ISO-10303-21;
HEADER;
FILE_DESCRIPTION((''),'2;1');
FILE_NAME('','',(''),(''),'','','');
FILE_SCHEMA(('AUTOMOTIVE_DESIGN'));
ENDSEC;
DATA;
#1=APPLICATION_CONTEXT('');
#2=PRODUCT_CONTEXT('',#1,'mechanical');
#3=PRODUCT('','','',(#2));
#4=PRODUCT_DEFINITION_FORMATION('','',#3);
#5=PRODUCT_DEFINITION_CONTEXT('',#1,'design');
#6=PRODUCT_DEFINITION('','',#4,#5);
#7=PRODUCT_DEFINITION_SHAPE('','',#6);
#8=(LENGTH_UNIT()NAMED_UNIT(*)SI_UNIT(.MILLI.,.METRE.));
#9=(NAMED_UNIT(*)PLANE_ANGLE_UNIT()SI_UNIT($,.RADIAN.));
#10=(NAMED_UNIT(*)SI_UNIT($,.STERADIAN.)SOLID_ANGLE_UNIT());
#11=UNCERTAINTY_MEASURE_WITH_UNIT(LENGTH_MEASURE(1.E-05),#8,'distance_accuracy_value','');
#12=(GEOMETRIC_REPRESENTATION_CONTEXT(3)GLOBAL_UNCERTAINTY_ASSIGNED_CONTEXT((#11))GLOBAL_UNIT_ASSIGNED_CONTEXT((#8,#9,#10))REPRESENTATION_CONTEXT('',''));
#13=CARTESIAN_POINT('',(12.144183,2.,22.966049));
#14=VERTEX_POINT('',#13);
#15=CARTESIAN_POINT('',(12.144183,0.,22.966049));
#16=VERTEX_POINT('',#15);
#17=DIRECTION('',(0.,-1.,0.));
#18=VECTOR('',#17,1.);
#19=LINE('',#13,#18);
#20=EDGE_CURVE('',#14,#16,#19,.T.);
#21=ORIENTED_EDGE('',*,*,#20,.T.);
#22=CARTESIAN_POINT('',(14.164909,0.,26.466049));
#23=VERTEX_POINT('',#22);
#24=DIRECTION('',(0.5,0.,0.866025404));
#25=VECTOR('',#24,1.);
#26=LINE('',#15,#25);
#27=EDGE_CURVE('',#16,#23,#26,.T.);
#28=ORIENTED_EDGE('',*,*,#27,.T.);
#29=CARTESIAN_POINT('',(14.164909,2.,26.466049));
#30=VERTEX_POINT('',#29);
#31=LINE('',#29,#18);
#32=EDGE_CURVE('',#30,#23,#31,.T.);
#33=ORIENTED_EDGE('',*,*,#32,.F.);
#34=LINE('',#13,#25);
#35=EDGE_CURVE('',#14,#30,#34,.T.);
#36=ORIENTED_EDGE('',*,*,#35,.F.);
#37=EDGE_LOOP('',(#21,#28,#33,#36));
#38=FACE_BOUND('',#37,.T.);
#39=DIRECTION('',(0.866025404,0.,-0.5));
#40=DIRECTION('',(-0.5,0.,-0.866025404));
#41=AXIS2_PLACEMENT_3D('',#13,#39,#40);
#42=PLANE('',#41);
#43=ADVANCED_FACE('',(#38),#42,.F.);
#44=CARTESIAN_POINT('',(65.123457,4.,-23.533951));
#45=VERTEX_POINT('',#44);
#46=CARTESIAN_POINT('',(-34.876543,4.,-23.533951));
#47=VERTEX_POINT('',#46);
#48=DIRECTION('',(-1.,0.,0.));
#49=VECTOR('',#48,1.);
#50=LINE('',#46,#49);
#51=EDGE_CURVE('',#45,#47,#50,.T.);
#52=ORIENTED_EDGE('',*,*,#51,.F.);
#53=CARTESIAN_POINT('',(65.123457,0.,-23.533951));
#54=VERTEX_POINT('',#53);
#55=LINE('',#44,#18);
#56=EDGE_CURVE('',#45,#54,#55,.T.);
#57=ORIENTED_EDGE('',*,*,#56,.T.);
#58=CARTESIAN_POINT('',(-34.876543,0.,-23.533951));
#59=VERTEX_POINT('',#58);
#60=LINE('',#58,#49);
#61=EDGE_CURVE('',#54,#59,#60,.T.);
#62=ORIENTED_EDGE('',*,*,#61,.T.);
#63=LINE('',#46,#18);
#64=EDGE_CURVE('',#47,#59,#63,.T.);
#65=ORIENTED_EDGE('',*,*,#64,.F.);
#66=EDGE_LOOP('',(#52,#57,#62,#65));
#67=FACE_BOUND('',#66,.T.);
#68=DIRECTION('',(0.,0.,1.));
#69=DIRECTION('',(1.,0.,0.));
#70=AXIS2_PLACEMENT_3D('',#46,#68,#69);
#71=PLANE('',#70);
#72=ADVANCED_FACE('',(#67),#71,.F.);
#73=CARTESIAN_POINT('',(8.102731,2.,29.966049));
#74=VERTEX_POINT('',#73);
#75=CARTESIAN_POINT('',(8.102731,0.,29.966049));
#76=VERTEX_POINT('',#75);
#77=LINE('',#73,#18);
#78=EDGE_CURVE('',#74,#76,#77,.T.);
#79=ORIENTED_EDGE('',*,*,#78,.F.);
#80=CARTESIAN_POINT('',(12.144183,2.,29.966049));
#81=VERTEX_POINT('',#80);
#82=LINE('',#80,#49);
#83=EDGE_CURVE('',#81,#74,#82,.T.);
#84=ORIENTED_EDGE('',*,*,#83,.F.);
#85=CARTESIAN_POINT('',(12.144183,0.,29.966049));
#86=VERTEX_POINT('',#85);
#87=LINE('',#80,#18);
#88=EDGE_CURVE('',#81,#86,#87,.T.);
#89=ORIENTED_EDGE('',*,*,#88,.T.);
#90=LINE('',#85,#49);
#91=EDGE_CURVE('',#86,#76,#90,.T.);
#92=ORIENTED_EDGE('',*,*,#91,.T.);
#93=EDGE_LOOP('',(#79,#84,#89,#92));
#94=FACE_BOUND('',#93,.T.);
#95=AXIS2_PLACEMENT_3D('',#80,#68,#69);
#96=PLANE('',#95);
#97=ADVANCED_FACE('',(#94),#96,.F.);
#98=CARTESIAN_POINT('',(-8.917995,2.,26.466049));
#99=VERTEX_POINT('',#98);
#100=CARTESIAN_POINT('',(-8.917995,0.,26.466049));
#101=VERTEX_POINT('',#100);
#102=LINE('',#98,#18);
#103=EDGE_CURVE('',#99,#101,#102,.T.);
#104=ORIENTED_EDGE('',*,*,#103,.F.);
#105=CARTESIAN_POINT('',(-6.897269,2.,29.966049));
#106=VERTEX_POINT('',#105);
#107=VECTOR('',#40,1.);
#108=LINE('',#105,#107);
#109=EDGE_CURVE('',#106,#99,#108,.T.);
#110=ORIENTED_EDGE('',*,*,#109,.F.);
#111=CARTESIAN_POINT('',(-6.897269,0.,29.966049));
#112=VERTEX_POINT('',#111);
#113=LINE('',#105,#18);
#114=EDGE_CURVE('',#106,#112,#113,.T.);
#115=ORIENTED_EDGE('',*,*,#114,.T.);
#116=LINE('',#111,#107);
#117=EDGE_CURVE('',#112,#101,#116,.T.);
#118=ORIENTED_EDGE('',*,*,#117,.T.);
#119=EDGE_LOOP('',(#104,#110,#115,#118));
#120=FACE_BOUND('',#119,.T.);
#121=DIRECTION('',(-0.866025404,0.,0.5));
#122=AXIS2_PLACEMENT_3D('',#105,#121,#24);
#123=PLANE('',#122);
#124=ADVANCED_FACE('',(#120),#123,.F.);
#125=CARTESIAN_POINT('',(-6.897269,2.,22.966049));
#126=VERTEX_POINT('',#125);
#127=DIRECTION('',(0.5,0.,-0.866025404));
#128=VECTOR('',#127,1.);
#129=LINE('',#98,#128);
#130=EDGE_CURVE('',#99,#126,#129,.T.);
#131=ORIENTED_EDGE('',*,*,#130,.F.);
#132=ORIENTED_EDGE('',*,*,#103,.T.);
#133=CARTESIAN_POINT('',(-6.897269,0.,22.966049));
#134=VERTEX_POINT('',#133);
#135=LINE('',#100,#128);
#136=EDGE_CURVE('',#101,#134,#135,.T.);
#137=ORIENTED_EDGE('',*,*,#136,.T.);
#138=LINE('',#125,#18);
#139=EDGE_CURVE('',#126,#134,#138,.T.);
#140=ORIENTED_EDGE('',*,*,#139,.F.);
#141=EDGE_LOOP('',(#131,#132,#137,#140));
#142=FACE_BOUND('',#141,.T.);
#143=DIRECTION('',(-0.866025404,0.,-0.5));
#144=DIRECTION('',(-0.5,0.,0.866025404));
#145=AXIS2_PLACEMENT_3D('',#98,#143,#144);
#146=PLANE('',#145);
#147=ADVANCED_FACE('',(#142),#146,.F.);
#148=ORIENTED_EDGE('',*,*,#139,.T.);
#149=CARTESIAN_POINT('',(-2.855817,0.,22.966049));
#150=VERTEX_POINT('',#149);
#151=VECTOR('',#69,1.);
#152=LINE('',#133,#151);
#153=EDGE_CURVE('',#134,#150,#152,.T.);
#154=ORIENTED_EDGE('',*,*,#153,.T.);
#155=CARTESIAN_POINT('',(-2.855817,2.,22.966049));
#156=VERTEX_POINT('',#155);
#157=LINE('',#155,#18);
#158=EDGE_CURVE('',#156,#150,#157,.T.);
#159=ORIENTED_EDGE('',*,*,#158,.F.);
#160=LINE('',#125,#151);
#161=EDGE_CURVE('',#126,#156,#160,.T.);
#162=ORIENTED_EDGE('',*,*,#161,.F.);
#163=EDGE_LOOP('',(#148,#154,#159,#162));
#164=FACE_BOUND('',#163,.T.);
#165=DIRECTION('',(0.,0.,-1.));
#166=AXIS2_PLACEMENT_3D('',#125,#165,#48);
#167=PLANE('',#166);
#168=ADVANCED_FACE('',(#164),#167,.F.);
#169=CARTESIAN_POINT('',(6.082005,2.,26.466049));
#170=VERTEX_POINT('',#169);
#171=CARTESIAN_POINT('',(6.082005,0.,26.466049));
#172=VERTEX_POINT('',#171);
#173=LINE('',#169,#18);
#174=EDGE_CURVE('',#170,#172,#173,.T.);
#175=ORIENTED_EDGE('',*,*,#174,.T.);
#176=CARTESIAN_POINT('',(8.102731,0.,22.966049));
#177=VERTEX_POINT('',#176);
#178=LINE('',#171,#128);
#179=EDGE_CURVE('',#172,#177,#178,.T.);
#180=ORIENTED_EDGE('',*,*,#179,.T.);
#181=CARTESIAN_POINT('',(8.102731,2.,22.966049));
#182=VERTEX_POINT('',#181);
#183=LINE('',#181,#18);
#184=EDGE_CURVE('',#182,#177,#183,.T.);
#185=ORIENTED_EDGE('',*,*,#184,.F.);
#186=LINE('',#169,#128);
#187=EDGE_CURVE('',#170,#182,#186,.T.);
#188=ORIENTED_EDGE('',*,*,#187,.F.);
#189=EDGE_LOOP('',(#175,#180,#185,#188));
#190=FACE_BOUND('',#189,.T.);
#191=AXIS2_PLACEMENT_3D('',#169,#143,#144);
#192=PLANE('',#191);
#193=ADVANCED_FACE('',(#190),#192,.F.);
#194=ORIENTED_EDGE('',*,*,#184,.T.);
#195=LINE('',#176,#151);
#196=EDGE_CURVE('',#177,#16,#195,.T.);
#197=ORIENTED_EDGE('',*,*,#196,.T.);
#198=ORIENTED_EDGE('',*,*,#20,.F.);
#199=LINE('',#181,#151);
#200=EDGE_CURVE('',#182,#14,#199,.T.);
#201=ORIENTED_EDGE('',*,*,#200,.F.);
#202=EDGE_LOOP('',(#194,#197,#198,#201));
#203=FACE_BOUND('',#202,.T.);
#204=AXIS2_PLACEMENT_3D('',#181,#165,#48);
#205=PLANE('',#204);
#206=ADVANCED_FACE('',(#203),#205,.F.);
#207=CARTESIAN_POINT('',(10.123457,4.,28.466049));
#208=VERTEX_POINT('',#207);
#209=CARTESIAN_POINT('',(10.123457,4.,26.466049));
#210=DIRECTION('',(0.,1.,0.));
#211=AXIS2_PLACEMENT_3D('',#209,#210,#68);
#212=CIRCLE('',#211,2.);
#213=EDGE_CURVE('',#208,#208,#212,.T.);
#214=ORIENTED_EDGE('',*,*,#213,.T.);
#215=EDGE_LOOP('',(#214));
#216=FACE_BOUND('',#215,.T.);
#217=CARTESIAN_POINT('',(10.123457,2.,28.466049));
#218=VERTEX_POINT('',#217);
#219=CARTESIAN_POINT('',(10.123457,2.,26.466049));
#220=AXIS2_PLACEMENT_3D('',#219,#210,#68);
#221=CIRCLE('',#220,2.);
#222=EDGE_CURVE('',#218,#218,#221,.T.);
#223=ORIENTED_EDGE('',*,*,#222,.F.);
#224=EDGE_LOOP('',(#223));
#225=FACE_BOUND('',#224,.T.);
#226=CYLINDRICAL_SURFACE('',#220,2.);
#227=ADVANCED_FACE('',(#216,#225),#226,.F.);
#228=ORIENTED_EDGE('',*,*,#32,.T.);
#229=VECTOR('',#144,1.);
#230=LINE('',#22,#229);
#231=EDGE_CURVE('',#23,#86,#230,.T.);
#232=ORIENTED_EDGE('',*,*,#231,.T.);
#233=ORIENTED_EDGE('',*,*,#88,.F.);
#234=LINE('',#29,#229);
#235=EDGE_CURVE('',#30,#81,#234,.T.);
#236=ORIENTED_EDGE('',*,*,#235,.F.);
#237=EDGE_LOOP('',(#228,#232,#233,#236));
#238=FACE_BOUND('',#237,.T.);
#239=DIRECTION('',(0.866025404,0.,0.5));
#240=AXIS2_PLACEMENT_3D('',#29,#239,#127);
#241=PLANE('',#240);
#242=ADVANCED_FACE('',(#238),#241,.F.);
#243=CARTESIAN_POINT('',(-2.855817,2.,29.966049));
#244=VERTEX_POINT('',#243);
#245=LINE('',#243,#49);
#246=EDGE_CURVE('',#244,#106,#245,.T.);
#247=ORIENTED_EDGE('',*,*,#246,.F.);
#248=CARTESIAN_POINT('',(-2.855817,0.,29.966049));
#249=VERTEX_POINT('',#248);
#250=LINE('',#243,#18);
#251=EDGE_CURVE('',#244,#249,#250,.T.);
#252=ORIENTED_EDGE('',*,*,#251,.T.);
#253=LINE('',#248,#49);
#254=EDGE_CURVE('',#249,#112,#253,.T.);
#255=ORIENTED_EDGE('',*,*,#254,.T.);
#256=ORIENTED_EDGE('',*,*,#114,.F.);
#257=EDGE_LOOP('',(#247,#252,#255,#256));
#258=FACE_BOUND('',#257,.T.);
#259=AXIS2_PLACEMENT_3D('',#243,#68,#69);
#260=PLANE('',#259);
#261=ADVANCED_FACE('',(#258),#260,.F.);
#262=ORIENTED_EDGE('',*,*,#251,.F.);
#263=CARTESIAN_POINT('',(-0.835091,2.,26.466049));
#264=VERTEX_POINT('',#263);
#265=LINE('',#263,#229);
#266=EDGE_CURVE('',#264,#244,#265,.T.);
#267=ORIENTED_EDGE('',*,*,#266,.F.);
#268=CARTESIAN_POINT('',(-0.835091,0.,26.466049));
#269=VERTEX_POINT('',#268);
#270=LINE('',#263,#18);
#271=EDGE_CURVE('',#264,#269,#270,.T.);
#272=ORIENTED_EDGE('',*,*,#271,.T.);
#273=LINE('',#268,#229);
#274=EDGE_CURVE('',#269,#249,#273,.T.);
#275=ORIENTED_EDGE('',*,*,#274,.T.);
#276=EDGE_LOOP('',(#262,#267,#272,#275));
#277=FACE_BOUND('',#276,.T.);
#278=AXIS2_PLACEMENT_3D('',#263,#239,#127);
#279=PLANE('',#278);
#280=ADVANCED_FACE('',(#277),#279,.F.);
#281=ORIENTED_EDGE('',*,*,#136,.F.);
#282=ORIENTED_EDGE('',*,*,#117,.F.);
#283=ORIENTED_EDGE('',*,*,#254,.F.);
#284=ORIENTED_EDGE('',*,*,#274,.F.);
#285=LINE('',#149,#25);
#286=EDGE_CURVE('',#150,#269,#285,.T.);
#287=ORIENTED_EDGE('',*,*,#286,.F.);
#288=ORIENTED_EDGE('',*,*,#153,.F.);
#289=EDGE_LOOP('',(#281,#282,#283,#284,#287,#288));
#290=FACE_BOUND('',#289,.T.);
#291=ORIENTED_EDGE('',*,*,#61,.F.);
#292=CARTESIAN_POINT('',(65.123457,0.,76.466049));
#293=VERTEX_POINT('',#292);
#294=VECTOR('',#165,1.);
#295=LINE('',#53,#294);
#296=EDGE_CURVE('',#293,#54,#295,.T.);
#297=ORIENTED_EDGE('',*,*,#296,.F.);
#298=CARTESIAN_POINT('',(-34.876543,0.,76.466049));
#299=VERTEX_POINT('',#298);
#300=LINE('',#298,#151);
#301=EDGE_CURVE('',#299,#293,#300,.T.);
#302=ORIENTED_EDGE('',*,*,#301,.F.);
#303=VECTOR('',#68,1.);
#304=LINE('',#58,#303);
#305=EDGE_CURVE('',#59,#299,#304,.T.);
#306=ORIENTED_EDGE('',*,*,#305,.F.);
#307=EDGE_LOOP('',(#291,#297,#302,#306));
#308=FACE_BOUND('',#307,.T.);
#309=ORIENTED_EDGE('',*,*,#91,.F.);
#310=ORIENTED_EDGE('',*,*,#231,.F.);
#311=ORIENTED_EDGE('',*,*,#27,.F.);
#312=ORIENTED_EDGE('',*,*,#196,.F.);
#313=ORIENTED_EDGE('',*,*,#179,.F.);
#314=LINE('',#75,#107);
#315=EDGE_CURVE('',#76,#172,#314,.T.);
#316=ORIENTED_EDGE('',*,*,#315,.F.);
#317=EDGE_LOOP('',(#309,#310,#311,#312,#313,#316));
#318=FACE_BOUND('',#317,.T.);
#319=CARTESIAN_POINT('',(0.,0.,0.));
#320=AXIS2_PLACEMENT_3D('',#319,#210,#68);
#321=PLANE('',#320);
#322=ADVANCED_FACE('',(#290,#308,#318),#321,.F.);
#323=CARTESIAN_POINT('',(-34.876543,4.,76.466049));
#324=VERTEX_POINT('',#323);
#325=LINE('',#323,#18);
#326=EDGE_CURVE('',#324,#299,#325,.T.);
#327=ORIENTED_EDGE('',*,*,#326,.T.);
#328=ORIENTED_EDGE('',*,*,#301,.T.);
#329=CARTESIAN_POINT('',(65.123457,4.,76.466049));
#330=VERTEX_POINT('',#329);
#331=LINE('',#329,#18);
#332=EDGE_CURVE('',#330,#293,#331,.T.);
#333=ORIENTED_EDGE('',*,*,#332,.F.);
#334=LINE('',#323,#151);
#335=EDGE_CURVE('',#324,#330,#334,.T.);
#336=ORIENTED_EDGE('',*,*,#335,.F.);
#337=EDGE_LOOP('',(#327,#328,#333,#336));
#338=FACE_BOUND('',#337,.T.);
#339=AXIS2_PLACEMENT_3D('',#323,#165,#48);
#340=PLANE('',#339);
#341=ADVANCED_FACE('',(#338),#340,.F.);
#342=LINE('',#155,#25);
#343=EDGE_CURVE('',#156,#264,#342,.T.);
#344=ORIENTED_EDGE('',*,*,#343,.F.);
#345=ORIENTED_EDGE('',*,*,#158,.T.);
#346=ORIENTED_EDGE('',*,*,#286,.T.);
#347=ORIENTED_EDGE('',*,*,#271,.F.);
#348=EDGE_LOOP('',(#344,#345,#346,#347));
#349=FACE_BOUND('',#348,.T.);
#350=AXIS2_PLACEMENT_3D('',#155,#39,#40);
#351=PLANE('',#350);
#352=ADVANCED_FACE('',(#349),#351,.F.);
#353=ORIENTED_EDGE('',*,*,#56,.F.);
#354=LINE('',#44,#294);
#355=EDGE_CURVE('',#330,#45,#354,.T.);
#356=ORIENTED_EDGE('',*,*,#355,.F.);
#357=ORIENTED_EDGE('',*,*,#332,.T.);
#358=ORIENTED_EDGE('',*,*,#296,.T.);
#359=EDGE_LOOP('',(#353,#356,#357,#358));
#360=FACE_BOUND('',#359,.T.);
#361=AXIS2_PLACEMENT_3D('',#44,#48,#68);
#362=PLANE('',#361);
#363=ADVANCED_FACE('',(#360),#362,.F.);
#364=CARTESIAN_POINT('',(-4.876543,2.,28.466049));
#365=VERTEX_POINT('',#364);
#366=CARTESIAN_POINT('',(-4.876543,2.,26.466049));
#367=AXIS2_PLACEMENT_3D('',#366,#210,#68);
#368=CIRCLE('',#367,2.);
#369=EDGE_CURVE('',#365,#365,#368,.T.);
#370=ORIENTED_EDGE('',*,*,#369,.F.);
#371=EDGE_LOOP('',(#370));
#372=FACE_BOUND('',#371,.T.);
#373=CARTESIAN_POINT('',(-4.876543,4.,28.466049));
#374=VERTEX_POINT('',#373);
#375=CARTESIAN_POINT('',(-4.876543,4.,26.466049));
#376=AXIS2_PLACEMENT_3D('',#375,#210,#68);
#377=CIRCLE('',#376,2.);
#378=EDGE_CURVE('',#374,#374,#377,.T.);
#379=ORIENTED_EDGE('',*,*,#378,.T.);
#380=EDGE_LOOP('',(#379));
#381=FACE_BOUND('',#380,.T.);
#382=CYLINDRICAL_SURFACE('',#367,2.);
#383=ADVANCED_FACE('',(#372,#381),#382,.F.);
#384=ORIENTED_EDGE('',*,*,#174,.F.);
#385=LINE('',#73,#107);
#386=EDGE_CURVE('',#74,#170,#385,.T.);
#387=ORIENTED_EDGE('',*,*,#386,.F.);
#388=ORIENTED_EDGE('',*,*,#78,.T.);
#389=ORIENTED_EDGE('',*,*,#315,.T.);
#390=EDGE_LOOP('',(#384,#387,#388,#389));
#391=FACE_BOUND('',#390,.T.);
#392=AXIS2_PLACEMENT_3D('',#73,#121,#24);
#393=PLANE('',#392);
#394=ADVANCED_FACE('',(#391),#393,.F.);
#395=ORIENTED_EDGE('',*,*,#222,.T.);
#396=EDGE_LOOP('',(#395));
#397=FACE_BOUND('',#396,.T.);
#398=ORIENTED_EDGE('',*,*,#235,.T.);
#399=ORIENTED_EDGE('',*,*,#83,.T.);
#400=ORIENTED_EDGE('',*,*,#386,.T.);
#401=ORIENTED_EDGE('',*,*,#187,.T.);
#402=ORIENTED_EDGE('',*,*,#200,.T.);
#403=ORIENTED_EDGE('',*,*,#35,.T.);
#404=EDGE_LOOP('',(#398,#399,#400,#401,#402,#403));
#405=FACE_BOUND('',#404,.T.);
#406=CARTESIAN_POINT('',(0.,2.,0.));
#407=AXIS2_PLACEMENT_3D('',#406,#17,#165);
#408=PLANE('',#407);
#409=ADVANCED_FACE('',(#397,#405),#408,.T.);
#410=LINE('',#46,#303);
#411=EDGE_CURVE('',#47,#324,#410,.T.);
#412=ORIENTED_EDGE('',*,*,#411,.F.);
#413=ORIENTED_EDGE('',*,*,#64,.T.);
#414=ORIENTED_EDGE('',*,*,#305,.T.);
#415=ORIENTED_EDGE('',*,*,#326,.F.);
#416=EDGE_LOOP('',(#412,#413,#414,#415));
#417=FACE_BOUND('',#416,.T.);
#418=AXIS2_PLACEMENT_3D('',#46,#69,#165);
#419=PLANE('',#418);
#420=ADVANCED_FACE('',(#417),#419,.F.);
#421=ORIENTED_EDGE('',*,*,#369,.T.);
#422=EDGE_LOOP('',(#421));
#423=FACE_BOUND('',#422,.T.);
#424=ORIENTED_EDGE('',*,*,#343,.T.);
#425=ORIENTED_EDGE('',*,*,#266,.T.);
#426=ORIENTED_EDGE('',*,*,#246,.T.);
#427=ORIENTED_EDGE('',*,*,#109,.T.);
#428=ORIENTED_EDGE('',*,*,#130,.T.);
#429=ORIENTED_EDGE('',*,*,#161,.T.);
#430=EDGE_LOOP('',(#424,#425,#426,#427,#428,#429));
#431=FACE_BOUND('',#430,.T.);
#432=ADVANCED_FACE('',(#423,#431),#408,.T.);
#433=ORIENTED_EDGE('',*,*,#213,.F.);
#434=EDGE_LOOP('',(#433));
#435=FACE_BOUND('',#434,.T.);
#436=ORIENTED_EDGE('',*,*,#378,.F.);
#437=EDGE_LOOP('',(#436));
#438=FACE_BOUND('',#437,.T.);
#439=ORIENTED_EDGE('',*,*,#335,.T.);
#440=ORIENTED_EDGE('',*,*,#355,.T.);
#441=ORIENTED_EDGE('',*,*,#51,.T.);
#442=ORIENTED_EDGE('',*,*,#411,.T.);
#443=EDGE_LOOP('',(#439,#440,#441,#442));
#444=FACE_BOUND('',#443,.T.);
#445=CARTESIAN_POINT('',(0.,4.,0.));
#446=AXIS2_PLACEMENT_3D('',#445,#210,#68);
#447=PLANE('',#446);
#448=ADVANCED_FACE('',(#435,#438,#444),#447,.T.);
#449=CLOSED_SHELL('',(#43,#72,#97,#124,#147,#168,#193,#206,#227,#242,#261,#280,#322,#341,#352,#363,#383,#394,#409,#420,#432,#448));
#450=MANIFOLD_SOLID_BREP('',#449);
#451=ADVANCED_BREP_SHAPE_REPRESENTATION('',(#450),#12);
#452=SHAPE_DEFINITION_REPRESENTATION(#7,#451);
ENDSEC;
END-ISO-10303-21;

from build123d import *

# Parameters (mm, degrees)
SKETCH1_W           = 100
SKETCH1_H           = 100
BOSS_EXTRUDE1_DEPTH = 4
SKETCH3_R           = 2
CUT_EXTRUDE1_DEPTH  = 2
CUT_EXTRUDE2_DEPTH  = 2


with BuildPart() as part:
    # Sketch1 → Boss-Extrude1 (new body)
    with BuildSketch(Plane(origin=(0, 0, 0), x_dir=(1, 0, 0), z_dir=(0, 1, 0))):
        with Locations((15.12345679, -26.466049383)):
            Rectangle(SKETCH1_W, SKETCH1_H)
    extrude(amount=BOSS_EXTRUDE1_DEPTH)

    # Sketch3 → Cut-Extrude1 (cut)
    with BuildSketch(Plane(origin=(0, 4, 0), x_dir=(1, 0, 0), z_dir=(0, 1, 0))):
        with Locations((-4.87654321, -26.466049383)):
            Circle(SKETCH3_R)
        with Locations((10.12345679, -26.466049383)):
            Circle(SKETCH3_R)
    extrude(amount=-CUT_EXTRUDE1_DEPTH, mode=Mode.SUBTRACT)

    # Sketch5 → Cut-Extrude2 (cut)
    with BuildSketch(Plane.XZ):
        Polygon((-0.835091326, 26.466049383), (-2.855817268, 29.966049383), (-6.897269152, 29.966049383), (-8.917995094, 26.466049383), (-6.897269152, 22.966049383), (-2.855817268, 22.966049383), align=None)
        Polygon((14.164908674, 26.466049383), (12.144182732, 29.966049383), (8.102730848, 29.966049383), (6.082004906, 26.466049383), (8.102730848, 22.966049383), (12.144182732, 22.966049383), align=None)
    extrude(amount=-CUT_EXTRUDE2_DEPTH, mode=Mode.SUBTRACT)


solid = part.part
